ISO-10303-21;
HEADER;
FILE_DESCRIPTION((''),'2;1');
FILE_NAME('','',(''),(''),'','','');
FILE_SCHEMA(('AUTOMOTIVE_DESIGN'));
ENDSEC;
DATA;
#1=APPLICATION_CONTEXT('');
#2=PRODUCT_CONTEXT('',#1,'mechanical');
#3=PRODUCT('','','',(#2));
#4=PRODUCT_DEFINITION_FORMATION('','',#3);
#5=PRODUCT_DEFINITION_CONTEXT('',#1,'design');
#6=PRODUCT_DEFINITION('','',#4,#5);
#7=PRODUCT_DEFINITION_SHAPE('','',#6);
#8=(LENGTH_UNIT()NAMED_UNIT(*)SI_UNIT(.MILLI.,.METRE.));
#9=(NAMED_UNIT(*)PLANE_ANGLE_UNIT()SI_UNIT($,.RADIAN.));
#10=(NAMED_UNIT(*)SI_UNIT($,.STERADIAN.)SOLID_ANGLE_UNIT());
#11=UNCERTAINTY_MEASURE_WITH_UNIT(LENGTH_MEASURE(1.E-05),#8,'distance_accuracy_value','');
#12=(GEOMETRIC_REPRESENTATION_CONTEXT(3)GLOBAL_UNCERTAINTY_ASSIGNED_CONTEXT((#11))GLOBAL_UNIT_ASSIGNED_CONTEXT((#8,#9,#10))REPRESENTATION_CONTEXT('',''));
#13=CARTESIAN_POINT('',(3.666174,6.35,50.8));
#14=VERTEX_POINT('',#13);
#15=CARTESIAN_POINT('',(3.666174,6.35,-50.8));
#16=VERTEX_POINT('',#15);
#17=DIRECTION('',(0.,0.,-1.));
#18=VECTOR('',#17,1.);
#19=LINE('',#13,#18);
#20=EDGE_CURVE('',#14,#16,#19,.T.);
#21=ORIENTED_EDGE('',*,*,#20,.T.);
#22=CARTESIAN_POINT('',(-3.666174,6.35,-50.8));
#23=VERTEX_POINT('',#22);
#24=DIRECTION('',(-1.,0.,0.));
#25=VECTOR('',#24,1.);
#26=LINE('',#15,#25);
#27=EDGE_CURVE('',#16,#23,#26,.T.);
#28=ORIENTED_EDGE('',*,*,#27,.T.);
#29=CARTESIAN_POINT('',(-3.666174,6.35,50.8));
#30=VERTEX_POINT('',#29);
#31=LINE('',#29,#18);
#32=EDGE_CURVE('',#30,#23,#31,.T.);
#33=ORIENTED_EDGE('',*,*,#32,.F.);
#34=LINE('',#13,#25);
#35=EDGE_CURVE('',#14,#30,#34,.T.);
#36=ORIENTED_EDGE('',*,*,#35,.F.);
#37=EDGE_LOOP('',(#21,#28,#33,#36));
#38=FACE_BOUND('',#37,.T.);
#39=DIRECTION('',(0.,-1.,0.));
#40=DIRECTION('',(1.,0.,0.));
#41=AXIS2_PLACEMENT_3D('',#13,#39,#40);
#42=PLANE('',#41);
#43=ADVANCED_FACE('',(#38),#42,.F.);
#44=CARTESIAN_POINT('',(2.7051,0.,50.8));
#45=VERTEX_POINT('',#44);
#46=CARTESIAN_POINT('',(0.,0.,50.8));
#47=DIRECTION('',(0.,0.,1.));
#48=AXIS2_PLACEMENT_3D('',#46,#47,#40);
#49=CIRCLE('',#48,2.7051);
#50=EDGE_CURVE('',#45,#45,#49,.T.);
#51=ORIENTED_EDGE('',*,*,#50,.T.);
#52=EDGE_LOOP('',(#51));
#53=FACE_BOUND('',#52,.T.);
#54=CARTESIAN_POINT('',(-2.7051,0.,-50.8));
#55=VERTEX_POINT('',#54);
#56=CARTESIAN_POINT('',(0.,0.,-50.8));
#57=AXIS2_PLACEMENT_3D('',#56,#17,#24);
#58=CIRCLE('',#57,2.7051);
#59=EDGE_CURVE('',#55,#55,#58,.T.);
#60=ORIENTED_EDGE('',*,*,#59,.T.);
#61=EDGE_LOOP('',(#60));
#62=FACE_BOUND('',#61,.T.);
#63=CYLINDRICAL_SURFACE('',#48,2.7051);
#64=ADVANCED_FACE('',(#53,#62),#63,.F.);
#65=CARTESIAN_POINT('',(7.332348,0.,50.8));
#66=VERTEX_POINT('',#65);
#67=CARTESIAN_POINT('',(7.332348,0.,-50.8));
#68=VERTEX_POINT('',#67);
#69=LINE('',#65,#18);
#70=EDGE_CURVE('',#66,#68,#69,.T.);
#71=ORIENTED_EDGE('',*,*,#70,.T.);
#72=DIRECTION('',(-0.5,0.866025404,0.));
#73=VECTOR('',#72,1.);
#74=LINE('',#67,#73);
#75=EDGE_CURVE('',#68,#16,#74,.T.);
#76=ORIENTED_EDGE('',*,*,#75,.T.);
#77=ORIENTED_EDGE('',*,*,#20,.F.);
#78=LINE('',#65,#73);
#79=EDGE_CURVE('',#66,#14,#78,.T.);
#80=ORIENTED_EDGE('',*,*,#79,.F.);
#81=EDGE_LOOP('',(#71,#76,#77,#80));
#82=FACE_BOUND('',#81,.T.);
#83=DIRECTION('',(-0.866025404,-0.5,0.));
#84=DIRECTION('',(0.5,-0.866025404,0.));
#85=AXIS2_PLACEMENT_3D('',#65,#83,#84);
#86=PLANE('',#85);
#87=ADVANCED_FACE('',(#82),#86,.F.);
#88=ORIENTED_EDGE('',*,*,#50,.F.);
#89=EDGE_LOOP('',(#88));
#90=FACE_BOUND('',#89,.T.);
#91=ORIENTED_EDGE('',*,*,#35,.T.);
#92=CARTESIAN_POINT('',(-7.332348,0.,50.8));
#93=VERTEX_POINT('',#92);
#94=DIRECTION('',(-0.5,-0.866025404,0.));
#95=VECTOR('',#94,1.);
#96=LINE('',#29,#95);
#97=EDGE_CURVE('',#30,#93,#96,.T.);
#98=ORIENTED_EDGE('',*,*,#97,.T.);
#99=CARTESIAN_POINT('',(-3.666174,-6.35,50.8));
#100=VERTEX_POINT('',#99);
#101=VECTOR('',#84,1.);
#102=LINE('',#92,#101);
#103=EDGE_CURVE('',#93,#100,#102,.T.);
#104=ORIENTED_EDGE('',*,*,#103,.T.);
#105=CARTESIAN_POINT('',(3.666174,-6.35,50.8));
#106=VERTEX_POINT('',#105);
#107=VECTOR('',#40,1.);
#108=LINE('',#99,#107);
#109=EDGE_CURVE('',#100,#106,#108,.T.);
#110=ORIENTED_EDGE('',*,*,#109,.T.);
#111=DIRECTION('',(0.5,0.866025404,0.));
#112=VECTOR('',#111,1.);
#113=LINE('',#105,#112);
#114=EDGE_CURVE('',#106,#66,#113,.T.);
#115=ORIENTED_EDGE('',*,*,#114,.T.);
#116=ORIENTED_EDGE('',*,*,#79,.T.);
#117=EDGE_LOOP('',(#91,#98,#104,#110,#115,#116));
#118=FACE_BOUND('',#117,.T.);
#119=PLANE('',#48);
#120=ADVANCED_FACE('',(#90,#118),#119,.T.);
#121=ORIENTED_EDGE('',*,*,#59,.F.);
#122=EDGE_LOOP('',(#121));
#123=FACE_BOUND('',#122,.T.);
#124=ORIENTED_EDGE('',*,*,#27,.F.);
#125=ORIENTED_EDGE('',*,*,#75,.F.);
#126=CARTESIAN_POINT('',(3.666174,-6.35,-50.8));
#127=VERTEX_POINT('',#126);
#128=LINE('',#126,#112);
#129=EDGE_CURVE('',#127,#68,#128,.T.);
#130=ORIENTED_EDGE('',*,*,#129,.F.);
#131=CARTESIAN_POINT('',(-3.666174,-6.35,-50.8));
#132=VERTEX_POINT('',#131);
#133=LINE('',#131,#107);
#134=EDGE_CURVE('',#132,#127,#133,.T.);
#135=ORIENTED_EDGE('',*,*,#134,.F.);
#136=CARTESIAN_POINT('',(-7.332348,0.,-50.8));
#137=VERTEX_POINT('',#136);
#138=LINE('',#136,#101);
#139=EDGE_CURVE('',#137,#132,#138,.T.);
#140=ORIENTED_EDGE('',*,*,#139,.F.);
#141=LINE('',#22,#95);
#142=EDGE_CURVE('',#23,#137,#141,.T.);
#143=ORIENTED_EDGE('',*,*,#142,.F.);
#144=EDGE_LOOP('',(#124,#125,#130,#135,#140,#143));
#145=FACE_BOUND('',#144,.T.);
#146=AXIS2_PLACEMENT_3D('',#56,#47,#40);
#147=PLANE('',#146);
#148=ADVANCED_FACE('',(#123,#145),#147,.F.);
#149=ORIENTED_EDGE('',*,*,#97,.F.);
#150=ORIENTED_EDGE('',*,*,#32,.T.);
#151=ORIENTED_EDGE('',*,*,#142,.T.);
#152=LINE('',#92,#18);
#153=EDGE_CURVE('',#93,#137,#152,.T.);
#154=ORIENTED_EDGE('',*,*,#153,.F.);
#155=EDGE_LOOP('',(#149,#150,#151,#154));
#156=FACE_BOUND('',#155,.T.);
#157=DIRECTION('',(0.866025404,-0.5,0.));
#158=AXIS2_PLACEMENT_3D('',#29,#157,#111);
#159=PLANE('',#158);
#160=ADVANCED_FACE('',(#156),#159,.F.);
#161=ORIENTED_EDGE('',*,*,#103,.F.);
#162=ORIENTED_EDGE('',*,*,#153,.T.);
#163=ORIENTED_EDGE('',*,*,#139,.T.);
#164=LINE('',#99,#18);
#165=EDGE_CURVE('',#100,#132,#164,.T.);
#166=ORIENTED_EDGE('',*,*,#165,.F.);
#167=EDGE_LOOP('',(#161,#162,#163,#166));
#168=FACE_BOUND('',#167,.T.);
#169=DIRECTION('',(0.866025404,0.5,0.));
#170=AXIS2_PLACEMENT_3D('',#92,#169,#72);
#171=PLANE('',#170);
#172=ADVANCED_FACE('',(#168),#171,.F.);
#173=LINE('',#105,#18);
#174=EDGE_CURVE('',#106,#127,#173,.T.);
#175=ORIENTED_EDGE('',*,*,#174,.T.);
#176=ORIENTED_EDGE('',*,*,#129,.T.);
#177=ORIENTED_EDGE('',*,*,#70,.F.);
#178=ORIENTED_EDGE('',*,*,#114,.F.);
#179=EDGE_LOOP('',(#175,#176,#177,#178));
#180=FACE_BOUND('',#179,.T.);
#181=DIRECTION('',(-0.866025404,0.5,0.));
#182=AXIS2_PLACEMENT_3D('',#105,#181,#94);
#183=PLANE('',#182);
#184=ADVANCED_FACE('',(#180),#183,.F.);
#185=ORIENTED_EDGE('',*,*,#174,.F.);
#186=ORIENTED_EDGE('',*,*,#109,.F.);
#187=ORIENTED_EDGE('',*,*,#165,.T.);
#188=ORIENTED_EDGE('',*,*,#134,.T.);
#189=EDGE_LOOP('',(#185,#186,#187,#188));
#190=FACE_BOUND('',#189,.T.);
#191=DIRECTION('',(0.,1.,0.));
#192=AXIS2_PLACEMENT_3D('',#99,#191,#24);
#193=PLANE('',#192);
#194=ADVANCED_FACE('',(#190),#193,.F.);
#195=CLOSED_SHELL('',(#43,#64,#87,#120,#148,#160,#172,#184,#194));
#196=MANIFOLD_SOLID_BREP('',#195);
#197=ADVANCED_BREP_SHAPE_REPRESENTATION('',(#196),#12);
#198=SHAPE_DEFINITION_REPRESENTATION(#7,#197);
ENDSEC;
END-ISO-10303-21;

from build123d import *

# Parameters (mm, degrees)
BOSS_EXTRUDE1_DEPTH         = 50.8
F_1_4_28_TAPPED_HOLE1_D     = 5.4102
F_1_4_28_TAPPED_HOLE1_DEPTH = 57.15
F_1_4_28_TAPPED_HOLE1_TIP   = 1.625388061
F_1_4_28_TAPPED_HOLE2_D     = 5.4102
F_1_4_28_TAPPED_HOLE2_DEPTH = 57.15
F_1_4_28_TAPPED_HOLE2_TIP   = 1.625388061


with BuildPart() as part:
    # Sketch1 → Boss-Extrude1 (new, symmetric)
    with BuildSketch(Plane.XY):
        Polygon((7.332348419, 0), (3.666174209, 6.35), (-3.666174209, 6.35), (-7.332348419, 0), (-3.666174209, -6.35), (3.666174209, -6.35), align=None)
    extrude(amount=BOSS_EXTRUDE1_DEPTH, both=True)

    # 1/4-28 Tapped Hole1
    with Locations(Plane.XY.offset(50.8)):
        with Locations((0, 0)):
            Hole(F_1_4_28_TAPPED_HOLE1_D / 2, depth=F_1_4_28_TAPPED_HOLE1_DEPTH)
            with Locations((0, 0, -(F_1_4_28_TAPPED_HOLE1_DEPTH + F_1_4_28_TAPPED_HOLE1_TIP / 2))):  # 118° drill point
                Cone(0, F_1_4_28_TAPPED_HOLE1_D / 2, F_1_4_28_TAPPED_HOLE1_TIP, mode=Mode.SUBTRACT)

    # 1/4-28 Tapped Hole2
    with Locations(Plane(origin=(0, 0, -50.8), x_dir=(-1, 0, 0), z_dir=(0, 0, -1))):
        with Locations((0, 0)):
            Hole(F_1_4_28_TAPPED_HOLE2_D / 2, depth=F_1_4_28_TAPPED_HOLE2_DEPTH)
            with Locations((0, 0, -(F_1_4_28_TAPPED_HOLE2_DEPTH + F_1_4_28_TAPPED_HOLE2_TIP / 2))):  # 118° drill point
                Cone(0, F_1_4_28_TAPPED_HOLE2_D / 2, F_1_4_28_TAPPED_HOLE2_TIP, mode=Mode.SUBTRACT)


solid = part.part
